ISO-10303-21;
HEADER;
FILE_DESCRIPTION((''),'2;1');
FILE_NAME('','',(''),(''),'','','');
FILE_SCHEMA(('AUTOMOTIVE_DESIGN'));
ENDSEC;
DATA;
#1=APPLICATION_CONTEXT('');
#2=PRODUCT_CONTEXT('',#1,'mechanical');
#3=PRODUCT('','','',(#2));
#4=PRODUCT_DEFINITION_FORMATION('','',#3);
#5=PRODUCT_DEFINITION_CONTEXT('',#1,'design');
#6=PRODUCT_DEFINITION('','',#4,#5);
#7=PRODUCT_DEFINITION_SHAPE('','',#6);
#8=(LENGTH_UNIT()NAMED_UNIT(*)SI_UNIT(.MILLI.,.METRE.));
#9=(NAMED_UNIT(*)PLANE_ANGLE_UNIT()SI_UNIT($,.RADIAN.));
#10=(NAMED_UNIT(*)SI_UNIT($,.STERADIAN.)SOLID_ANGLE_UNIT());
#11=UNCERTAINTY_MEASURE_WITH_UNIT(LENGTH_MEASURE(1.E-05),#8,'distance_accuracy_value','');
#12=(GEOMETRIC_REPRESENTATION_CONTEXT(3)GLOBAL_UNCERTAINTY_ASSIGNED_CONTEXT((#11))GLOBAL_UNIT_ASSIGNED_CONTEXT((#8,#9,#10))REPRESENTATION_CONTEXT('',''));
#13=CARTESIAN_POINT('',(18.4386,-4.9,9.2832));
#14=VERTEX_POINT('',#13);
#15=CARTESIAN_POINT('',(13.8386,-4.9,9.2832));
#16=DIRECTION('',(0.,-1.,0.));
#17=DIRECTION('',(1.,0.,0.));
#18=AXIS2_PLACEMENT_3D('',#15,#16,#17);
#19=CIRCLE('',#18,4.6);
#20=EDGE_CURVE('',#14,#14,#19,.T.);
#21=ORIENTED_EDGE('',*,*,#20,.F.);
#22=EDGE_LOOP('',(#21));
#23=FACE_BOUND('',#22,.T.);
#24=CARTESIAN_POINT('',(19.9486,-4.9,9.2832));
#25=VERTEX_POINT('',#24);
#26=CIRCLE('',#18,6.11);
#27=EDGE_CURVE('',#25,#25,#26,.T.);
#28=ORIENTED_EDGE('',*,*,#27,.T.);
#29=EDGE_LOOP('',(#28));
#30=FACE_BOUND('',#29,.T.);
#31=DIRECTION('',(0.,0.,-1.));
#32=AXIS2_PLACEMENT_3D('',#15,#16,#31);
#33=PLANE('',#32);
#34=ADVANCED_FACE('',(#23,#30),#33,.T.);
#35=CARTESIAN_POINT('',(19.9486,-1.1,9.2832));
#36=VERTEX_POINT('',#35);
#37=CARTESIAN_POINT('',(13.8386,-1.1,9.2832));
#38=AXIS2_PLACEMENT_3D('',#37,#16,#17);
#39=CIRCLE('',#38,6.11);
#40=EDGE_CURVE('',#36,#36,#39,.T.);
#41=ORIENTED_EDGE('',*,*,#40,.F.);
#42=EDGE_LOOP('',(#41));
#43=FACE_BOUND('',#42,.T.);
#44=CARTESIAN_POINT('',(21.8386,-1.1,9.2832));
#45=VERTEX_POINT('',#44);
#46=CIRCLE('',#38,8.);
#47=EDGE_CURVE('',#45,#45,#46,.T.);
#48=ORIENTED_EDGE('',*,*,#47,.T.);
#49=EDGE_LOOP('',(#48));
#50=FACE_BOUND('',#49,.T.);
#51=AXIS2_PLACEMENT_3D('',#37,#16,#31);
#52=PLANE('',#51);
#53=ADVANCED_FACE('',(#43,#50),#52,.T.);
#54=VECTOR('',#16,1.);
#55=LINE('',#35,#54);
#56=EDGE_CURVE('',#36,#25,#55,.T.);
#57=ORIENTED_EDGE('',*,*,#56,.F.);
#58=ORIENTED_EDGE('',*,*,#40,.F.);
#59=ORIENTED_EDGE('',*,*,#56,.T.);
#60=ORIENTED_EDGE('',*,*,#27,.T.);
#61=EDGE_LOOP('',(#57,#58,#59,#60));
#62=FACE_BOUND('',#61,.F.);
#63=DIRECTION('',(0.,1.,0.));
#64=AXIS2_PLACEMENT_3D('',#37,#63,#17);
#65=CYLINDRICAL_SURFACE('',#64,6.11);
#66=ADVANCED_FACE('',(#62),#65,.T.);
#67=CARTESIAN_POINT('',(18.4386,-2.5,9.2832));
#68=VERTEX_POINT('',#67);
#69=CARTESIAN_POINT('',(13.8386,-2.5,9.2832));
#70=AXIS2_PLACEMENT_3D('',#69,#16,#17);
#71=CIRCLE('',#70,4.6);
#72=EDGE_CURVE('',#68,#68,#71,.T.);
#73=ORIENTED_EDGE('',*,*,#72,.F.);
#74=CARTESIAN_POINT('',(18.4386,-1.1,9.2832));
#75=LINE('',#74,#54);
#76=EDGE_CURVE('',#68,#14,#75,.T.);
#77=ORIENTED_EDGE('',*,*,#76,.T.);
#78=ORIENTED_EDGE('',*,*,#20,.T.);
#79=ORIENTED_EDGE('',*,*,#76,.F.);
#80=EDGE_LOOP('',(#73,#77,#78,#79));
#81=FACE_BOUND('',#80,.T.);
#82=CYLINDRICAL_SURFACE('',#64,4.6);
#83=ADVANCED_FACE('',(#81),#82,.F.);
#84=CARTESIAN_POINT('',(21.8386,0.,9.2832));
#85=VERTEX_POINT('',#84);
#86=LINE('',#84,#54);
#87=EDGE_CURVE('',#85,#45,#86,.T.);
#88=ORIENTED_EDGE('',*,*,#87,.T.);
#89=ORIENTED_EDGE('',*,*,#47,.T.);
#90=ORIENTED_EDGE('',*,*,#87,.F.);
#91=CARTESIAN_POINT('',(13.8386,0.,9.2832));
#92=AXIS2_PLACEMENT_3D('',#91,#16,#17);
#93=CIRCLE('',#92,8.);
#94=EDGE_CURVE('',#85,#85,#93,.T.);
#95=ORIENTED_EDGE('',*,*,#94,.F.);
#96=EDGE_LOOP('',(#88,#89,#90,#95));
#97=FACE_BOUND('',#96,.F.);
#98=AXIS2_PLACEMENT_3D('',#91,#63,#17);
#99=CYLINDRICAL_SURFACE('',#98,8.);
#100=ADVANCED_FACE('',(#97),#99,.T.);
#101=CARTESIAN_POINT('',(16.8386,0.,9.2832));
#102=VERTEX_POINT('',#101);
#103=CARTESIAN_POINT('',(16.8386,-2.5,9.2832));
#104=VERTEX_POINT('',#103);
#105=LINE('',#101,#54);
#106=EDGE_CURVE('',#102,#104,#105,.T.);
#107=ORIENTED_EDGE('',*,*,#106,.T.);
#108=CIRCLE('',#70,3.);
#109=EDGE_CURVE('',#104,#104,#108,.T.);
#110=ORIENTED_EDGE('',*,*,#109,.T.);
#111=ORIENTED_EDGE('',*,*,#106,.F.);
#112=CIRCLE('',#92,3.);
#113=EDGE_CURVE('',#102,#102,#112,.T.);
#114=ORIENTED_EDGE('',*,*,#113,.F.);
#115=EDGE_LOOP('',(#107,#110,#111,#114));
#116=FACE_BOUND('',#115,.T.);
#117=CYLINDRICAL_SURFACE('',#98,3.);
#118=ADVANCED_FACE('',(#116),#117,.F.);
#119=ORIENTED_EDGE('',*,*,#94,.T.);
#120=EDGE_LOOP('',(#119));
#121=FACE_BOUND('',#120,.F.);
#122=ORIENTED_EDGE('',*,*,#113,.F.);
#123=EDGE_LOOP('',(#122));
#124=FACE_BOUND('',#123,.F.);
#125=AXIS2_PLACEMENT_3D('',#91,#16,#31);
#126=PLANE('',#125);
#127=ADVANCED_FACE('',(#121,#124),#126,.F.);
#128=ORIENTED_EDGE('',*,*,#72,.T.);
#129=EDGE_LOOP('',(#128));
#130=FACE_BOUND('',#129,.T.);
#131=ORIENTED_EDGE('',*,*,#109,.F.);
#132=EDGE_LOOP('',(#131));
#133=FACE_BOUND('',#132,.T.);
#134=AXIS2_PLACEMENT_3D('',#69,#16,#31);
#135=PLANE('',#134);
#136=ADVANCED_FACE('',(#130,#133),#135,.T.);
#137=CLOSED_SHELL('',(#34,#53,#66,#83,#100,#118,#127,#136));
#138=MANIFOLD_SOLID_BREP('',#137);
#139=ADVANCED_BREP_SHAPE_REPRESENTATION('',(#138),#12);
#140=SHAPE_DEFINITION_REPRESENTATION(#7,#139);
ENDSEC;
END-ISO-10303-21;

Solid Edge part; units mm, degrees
sketch "Sketch1" plane through (0, 0, 0) normal (0, -1, 0) x (1, 0, 0)
  circle A0 centre (13.8386, 9.2832) radius 8
  circle A1 centre (13.8386, 9.2832) radius 3
extrude "Protrusion1" add sketch "Sketch1" along normal blind 1.1
sketch "Sketch2" plane through (13.8386, -1.1, 9.2832) normal (0, -1, 0) x (1, 0, 0)
  circle A0 centre (0, 0) radius 4.6
  circle A1 centre (0, 0) radius 6.11
extrude "ExtrudedProtrusion_2" add sketch "Sketch2" along normal blind 3.8
sketch "Sketch3" plane through (13.8386, -1.1, 9.2832) normal (0, -1, 0) x (1, 0, 0)
  circle A0 centre (0, 0) radius 3
  circle A1 centre (0, 0) radius 4.6
extrude "ExtrudedProtrusion_3" add sketch "Sketch3" along normal blind 1.4
